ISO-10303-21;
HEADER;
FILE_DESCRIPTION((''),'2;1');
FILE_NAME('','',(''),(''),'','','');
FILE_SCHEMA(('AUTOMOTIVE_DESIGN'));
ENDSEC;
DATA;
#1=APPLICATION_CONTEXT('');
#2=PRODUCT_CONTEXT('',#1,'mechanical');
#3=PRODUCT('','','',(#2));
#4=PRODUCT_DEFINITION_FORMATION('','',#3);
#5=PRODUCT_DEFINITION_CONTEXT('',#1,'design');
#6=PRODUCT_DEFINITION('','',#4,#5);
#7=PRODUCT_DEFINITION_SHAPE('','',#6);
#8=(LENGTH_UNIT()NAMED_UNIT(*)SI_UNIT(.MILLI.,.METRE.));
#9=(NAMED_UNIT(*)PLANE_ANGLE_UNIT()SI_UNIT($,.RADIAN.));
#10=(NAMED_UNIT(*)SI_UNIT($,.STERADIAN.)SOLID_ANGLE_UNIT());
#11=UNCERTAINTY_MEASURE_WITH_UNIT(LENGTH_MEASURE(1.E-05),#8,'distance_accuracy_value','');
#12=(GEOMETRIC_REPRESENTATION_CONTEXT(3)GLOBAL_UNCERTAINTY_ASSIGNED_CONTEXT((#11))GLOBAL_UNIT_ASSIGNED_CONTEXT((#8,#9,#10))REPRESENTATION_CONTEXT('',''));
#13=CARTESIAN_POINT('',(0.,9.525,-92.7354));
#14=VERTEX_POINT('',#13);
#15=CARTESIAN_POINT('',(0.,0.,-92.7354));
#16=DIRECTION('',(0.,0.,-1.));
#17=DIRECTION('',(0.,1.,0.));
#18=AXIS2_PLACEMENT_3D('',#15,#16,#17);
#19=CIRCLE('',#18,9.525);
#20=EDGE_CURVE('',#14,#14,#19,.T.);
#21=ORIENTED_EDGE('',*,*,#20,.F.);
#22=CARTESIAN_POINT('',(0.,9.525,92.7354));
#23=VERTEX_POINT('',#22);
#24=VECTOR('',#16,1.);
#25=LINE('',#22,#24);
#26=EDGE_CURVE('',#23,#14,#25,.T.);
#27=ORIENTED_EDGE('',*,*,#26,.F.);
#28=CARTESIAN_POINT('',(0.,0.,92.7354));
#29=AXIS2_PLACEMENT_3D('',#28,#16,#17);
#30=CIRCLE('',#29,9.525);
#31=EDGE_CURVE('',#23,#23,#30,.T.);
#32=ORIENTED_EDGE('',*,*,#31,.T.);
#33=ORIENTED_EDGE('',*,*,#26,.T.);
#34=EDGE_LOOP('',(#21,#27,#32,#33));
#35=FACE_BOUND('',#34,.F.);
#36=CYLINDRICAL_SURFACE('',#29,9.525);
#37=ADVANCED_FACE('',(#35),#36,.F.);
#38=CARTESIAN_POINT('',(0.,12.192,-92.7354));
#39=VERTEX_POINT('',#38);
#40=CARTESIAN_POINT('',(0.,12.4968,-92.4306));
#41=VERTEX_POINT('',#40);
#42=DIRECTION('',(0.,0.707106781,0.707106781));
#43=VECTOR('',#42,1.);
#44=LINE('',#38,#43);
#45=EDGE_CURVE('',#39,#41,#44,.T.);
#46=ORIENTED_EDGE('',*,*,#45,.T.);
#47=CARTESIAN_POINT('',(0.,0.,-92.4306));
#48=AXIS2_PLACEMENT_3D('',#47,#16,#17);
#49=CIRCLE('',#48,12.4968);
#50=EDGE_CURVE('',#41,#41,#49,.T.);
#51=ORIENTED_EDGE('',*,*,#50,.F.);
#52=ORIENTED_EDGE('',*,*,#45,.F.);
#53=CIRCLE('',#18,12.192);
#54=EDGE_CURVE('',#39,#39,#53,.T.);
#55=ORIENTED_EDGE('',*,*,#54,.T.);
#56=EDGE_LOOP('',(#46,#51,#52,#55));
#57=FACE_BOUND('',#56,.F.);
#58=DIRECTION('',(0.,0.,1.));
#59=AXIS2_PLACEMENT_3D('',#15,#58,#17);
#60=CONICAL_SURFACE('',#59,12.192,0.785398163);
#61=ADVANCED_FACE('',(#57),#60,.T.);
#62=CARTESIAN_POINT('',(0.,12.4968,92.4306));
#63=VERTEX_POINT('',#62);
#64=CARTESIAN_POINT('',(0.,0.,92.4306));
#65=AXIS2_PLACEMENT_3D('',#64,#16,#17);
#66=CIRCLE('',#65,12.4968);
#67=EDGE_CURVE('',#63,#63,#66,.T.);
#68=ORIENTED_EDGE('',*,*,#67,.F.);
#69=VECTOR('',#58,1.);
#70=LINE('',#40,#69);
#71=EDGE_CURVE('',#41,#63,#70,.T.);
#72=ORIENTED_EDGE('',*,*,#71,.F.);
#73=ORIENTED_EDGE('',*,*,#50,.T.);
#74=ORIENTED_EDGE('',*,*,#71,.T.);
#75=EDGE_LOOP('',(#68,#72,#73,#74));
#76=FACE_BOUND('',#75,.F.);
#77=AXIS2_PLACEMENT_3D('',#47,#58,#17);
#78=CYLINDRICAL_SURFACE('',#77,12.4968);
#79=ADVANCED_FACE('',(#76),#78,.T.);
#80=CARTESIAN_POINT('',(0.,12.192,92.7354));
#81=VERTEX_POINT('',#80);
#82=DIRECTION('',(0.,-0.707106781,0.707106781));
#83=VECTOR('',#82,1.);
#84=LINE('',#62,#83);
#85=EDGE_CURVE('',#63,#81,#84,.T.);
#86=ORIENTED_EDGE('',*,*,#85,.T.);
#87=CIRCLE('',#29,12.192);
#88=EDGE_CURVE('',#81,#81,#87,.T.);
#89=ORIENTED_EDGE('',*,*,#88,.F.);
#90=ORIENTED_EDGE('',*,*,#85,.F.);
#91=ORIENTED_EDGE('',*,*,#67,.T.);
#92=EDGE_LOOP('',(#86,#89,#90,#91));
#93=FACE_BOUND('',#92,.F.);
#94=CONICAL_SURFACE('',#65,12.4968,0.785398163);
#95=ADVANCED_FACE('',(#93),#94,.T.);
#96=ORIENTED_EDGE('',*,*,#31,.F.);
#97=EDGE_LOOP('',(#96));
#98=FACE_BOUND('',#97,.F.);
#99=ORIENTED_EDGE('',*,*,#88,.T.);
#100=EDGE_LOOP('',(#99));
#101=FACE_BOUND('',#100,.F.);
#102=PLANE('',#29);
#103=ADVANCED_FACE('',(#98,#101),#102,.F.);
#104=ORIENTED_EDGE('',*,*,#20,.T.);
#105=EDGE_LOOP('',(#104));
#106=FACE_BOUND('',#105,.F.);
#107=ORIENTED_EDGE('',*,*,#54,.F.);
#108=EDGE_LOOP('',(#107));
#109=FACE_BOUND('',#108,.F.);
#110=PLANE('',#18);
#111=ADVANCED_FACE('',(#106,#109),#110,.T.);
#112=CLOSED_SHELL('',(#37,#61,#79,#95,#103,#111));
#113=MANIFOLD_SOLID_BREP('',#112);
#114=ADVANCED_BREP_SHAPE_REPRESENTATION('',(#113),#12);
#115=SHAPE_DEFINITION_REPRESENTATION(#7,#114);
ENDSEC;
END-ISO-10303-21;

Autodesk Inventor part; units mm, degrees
sketch "Sketch_2" plane through (0, 0, 0) normal (1, 0, 0) x (0, 1, 0)
  line L0 (0, -92.7354) -> (0, 92.7354)
  line L1 (9.525, 92.7354) -> (9.525, -92.7354)
  line L2 (9.525, -92.7354) -> (12.192, -92.7354)
  line L3 (12.192, -92.7354) -> (12.4968, -92.4306)
  line L4 (12.4968, -92.4306) -> (12.4968, 92.4306)
  line L5 (12.4968, 92.4306) -> (12.192, 92.7354)
  line L6 (12.192, 92.7354) -> (9.525, 92.7354)
revolve "Revolution1" add sketch "Sketch_2" angle 360 about axis through (0, 0, -92.7354) along (0, 0, -1)
ref_plane "cap_XY" through (0, 0, -92.7354) normal (0, 0, -1) x (0, 1, 0)
ref_plane "cap_YZ" through (0, 0, -92.7354) normal (0, 1, 0) x (1, 0, 0)
ref_plane "cap_ZX" through (0, 0, -92.7354) normal (1, 0, 0) x (0, 0, -1)
ref_plane "ctr_XY" through (0, 0, 0) normal (0, 0, 1) x (1, 0, 0)
ref_plane "ctr_YZ" through (0, 0, 0) normal (1, 0, 0) x (0, 1, 0)
ref_plane "ctr_ZX" through (0, 0, 0) normal (0, 1, 0) x (0, 0, 1)
ref_plane "hd_XY" through (0, 0, 92.7354) normal (0, 0, 1) x (0, 1, 0)
ref_plane "hd_YZ" through (0, 0, 92.7354) normal (0, 1, 0) x (-1, 0, 0)
ref_plane "hd_ZX" through (0, 0, 92.7354) normal (-1, 0, 0) x (0, 0, 1)
properties part number "TUBE_OCG13/4x6_Open-Extend_" material "Stainless Steel"
